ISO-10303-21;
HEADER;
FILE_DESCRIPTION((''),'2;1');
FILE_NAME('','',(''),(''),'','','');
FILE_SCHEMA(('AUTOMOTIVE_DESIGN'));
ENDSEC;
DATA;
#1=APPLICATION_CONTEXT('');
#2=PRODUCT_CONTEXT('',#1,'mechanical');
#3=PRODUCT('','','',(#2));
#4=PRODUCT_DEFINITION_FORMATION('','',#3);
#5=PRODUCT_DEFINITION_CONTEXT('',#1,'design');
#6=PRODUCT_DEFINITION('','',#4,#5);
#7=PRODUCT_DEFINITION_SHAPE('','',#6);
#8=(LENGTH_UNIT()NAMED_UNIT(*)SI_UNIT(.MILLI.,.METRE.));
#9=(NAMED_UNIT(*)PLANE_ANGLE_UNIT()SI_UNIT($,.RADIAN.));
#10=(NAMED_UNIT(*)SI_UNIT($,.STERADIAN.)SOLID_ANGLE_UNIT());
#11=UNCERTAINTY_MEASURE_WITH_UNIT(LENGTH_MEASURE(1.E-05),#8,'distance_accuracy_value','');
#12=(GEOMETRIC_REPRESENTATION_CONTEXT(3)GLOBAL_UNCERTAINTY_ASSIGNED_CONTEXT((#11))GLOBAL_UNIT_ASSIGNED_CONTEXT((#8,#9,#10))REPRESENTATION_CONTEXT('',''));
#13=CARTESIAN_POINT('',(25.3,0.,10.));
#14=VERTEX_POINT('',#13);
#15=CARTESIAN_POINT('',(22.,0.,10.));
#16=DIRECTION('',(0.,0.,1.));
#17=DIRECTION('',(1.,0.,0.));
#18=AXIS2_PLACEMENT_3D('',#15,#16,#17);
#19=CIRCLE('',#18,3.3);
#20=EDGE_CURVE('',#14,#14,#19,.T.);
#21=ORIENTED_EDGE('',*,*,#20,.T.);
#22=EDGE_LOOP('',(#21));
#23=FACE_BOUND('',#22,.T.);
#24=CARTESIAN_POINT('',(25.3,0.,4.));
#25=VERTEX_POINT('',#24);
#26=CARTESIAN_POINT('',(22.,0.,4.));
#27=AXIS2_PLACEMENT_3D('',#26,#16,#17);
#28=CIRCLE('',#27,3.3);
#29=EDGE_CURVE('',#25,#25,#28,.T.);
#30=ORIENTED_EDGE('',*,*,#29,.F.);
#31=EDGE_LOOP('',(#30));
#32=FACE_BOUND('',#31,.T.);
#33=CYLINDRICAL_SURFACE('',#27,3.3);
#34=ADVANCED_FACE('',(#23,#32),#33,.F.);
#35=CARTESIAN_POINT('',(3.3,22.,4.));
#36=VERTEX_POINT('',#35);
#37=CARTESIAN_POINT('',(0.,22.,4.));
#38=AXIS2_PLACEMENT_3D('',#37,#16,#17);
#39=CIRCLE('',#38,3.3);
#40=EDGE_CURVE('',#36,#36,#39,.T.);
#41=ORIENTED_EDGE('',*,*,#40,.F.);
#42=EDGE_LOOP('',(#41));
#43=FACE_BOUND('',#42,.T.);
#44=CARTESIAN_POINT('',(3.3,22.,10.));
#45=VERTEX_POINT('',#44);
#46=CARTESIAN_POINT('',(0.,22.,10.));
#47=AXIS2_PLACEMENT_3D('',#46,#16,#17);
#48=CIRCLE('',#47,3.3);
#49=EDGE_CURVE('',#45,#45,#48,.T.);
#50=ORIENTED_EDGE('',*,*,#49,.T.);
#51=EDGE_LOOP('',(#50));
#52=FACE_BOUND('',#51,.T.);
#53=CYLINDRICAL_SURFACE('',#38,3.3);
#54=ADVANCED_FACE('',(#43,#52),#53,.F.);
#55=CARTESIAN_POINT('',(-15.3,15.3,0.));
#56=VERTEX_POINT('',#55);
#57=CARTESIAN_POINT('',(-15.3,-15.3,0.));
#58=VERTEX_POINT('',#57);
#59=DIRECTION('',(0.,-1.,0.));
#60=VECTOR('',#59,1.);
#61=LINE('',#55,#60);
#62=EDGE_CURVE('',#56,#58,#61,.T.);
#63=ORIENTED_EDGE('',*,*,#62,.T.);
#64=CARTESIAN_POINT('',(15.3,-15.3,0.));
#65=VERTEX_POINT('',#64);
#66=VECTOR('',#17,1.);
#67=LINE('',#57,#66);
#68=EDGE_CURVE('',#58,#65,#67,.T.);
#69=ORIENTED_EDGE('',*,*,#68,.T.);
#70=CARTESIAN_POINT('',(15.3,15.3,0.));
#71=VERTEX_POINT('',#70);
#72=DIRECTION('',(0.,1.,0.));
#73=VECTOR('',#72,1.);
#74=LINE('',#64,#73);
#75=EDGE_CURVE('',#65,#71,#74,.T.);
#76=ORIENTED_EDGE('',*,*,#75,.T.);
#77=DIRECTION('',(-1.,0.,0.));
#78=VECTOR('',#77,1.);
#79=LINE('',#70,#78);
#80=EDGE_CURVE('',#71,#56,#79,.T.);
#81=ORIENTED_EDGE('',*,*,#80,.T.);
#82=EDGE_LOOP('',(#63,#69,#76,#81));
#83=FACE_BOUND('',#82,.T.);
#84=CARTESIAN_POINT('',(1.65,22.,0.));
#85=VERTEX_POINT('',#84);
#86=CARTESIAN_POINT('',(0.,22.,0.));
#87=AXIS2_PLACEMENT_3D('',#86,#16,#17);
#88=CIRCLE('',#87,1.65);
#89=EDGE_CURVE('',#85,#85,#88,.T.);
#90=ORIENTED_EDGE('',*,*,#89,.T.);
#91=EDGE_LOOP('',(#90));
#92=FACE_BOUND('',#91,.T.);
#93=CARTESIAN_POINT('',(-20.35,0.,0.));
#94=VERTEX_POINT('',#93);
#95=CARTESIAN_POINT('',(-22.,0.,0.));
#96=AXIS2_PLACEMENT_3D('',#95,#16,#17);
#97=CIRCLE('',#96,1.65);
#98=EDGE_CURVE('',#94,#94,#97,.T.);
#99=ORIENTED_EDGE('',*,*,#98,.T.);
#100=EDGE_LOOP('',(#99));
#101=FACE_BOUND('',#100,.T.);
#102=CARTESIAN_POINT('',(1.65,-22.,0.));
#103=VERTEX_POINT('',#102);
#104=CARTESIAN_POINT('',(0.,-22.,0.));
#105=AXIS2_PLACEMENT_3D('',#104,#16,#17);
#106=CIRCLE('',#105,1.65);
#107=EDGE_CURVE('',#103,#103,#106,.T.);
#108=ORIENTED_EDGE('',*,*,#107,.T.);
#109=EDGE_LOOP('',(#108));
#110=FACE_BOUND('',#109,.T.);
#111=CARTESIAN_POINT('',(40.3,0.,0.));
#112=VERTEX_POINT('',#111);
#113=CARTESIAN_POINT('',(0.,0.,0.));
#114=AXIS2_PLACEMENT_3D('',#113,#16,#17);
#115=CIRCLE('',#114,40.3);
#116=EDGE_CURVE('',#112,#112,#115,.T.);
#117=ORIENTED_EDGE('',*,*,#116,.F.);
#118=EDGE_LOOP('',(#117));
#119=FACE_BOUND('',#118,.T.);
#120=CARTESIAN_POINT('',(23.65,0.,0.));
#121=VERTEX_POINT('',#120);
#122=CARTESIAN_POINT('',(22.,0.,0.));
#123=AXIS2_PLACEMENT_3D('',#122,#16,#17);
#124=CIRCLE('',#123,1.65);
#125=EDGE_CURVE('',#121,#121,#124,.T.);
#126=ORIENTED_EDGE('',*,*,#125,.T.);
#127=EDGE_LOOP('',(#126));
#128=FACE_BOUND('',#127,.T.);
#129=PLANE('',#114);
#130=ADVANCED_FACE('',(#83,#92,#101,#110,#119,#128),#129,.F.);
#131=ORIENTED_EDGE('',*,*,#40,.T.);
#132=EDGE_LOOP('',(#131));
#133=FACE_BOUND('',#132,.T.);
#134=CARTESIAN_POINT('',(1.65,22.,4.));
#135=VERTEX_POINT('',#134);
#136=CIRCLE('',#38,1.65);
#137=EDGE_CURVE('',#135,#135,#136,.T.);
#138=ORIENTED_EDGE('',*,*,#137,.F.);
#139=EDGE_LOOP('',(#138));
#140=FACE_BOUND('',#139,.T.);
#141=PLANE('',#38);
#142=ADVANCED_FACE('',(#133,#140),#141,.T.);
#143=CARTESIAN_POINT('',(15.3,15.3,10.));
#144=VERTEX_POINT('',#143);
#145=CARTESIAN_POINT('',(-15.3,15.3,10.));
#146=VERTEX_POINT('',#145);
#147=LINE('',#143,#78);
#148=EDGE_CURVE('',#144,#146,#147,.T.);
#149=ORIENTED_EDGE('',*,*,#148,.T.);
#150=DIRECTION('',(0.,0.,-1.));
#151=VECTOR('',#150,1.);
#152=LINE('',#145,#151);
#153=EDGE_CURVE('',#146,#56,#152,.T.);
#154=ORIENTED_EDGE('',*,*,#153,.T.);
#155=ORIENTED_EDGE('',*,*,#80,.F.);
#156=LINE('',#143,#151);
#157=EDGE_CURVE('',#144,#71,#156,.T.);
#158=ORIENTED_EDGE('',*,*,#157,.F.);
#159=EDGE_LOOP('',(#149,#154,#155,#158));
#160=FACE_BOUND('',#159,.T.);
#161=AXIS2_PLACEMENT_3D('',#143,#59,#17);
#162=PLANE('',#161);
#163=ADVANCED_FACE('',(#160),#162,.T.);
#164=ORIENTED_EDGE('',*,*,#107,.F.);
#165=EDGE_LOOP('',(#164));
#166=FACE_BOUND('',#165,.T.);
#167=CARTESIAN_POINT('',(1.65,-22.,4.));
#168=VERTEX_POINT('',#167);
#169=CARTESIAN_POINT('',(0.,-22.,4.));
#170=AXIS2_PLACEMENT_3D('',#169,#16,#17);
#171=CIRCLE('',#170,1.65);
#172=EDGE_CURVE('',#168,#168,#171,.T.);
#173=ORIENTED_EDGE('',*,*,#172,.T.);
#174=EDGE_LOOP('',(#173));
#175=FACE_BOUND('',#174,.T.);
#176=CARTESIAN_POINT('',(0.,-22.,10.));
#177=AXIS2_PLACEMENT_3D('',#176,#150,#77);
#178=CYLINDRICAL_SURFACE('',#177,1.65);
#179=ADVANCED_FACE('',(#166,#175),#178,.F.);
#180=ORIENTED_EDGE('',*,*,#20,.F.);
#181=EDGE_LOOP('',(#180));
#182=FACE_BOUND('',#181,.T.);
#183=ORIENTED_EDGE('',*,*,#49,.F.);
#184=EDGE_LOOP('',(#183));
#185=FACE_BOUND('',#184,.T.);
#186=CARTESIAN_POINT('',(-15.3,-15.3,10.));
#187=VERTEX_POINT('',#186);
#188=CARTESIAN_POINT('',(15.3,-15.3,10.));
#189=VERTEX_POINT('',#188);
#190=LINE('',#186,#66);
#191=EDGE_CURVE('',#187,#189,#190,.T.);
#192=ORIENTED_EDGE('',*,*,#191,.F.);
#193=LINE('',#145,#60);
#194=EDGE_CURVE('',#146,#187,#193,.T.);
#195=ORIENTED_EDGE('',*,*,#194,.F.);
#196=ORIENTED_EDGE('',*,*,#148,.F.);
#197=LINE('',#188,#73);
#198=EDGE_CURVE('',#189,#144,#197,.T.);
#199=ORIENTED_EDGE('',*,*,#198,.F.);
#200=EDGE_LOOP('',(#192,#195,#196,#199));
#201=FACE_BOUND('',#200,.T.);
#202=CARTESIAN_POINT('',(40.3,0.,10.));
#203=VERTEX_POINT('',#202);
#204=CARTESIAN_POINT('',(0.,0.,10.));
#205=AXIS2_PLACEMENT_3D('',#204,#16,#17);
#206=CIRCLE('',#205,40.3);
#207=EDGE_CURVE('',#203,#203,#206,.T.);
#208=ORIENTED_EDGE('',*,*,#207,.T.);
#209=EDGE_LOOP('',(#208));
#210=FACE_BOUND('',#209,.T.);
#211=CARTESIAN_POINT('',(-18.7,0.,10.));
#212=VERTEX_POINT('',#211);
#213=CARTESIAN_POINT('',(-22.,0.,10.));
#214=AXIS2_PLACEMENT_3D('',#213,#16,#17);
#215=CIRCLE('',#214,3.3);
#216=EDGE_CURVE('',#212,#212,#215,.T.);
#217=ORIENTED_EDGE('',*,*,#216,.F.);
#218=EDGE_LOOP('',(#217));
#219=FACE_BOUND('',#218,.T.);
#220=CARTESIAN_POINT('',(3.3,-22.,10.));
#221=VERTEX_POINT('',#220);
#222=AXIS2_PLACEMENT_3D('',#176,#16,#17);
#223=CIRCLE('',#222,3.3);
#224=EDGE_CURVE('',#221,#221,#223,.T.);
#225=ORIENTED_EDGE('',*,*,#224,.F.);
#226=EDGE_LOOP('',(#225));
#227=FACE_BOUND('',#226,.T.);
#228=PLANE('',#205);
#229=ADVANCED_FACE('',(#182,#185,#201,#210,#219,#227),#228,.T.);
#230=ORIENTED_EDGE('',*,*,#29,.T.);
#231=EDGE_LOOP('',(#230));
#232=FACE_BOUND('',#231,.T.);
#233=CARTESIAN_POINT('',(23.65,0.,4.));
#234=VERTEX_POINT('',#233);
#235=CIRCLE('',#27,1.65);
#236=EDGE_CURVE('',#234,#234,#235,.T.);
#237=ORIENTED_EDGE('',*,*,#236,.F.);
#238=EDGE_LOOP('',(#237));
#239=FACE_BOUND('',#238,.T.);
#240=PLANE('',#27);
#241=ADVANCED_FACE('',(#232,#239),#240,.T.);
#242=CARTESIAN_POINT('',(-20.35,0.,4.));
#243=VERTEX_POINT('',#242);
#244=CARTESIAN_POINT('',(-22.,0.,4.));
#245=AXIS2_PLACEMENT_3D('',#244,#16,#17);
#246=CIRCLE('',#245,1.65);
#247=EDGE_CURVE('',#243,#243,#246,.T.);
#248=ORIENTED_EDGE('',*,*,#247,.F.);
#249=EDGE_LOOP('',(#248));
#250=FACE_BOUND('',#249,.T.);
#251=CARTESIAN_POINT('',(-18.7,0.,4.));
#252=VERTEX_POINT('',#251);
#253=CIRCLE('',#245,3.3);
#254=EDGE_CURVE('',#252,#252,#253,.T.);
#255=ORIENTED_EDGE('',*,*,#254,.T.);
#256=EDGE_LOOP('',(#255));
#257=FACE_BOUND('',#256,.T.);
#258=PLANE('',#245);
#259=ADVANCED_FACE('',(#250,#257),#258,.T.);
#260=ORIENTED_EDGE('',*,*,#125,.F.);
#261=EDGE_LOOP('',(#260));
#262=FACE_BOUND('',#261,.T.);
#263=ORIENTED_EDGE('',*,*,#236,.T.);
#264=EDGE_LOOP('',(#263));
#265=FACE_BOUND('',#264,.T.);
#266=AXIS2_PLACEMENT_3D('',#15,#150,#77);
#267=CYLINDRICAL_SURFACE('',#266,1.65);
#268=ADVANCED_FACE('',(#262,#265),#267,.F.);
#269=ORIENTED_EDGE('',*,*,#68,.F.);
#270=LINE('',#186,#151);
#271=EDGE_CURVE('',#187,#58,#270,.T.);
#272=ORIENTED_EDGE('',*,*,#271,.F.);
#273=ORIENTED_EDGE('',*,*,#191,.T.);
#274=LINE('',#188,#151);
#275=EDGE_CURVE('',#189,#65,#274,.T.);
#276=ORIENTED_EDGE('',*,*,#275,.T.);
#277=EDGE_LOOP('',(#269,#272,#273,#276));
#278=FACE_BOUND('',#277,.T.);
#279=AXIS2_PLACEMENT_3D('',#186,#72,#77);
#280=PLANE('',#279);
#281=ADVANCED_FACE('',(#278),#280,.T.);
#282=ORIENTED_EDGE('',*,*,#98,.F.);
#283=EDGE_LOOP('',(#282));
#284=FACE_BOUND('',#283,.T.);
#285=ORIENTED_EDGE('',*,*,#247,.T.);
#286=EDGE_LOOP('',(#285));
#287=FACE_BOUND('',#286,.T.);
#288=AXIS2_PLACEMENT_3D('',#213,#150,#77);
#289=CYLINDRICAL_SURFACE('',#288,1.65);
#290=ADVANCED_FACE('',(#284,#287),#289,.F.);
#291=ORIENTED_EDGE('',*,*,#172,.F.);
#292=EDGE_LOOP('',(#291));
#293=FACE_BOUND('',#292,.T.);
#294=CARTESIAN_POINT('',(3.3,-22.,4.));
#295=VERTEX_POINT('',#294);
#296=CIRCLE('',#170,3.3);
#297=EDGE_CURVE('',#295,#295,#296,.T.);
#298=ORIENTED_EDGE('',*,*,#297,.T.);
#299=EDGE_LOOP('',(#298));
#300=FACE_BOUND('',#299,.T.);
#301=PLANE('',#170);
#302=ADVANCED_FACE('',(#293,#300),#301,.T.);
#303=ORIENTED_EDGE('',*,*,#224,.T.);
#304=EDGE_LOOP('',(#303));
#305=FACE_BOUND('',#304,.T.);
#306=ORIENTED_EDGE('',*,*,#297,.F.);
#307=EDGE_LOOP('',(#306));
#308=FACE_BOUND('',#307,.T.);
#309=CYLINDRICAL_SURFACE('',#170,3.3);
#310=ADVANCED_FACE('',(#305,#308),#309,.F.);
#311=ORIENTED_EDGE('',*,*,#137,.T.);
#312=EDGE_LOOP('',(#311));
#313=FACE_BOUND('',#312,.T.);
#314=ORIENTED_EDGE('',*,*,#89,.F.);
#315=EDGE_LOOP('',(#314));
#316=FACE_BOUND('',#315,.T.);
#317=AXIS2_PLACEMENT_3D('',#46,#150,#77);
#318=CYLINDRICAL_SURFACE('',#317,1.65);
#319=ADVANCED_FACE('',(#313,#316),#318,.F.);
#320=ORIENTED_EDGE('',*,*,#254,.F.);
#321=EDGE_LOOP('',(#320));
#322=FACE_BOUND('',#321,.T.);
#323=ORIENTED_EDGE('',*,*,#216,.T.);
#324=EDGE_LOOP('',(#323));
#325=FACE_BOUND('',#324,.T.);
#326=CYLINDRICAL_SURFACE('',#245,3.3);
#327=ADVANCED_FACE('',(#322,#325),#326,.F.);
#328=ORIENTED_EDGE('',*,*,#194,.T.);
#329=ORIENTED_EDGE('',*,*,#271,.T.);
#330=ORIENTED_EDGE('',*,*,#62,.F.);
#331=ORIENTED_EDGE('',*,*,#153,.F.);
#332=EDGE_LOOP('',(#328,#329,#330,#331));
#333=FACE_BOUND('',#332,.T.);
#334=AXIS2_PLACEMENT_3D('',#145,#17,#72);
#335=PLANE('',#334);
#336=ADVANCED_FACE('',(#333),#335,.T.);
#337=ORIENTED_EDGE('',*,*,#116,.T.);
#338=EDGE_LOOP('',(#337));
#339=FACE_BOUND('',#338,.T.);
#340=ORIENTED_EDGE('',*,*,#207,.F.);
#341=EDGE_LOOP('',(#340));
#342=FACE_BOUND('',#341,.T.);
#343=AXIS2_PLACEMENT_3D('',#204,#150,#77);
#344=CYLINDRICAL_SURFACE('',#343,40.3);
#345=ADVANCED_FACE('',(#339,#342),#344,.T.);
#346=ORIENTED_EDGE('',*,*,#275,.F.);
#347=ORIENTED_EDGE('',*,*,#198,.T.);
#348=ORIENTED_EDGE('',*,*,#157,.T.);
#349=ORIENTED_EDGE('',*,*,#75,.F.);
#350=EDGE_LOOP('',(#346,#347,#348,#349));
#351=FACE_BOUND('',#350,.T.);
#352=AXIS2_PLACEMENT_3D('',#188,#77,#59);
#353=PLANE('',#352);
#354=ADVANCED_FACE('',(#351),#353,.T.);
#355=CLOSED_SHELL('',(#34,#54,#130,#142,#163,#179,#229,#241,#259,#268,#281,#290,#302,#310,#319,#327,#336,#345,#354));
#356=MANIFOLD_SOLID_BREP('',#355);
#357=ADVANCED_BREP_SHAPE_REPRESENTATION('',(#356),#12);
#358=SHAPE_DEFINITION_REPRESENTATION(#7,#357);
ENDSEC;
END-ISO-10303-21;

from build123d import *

# Parameters (mm, degrees)
SKETCH1_R           = 40.3
SKETCH1_R_2         = 1.65
SKETCH1_W           = 30.6
SKETCH1_H           = 30.6
BOSS_EXTRUDE1_DEPTH = 10
SKETCH2_R           = 3.3
CUT_EXTRUDE1_DEPTH  = 6


with BuildPart() as part:
    # Sketch1 → Boss-Extrude1 (new body)
    with BuildSketch(Plane.XY):
        Circle(SKETCH1_R)
        with Locations((0, 22)):
            Circle(SKETCH1_R_2, mode=Mode.SUBTRACT)
        with Locations((22, 0)):
            Circle(SKETCH1_R_2, mode=Mode.SUBTRACT)
        with Locations((0, -22)):
            Circle(SKETCH1_R_2, mode=Mode.SUBTRACT)
        with Locations((-22, 0)):
            Circle(SKETCH1_R_2, mode=Mode.SUBTRACT)
        Rectangle(SKETCH1_W, SKETCH1_H, mode=Mode.SUBTRACT)
    extrude(amount=BOSS_EXTRUDE1_DEPTH)

    # Sketch2 → Cut-Extrude1 (cut)
    with BuildSketch(Plane.XY.offset(10)):
        with Locations((22, 0)):
            Circle(SKETCH2_R)
        with Locations((0, 22)):
            Circle(SKETCH2_R)
        with Locations((-22, 0)):
            Circle(SKETCH2_R)
        with Locations((0, -22)):
            Circle(SKETCH2_R)
    extrude(amount=-CUT_EXTRUDE1_DEPTH, mode=Mode.SUBTRACT)


solid = part.part
